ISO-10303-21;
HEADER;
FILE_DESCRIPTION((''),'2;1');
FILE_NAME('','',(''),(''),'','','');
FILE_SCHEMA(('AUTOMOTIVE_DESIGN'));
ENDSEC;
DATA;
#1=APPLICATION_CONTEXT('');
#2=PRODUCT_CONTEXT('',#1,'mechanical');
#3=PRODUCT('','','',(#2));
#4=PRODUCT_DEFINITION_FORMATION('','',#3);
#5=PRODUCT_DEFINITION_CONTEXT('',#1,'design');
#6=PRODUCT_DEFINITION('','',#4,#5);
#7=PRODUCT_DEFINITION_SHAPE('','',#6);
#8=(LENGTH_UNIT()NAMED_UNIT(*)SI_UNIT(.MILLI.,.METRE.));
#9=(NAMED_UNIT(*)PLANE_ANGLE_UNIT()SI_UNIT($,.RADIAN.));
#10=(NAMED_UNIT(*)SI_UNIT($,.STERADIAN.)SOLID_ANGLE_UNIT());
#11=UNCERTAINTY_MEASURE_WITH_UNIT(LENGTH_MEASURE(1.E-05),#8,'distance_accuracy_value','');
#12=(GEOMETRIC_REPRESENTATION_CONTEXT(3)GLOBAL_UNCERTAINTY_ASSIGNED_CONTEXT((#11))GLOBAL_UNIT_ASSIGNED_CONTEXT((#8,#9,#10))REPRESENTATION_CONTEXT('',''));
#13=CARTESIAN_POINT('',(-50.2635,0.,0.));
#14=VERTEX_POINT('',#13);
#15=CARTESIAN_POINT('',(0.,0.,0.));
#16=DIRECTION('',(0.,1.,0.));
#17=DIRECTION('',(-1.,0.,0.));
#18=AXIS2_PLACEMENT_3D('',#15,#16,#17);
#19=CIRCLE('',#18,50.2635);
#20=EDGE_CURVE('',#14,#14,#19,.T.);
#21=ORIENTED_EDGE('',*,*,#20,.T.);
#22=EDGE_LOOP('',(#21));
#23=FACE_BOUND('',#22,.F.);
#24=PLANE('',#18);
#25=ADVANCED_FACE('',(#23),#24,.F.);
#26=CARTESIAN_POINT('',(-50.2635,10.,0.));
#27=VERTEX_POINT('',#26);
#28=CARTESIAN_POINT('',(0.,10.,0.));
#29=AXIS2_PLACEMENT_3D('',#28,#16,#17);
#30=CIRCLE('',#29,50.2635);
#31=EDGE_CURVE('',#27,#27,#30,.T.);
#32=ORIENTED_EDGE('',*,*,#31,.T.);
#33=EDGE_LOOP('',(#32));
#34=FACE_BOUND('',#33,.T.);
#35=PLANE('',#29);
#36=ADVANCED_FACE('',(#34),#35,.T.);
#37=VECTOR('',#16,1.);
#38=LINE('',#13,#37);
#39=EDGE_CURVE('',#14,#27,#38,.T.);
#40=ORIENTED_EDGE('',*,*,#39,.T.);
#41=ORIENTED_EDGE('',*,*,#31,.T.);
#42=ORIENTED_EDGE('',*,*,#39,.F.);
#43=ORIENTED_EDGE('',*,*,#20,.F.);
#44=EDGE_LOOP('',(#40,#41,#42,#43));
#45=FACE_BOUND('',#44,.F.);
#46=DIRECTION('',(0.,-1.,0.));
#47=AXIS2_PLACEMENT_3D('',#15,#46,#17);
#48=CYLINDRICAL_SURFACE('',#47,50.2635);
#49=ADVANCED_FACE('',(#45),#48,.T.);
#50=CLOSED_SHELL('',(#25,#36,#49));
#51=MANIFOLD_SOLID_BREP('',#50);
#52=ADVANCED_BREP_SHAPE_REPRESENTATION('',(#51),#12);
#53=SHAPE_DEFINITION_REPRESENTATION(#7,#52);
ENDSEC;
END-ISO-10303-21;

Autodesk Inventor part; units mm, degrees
ref_plane "YZ Plane" through (0, 0, 0) normal (1, 0, 0) x (0, 1, 0)
ref_plane "XZ Plane" through (0, 0, 0) normal (0, 1, 0) x (-1, 0, 0)
ref_plane "XY Plane" through (0, 0, 0) normal (0, 0, 1) x (1, 0, 0)
sketch "Sketch1" plane through (0, 0, 0) normal (0, 1, 0) x (-1, 0, 0)
  circle A0 centre (0, 0) radius 50.2635
  dimension "d0" = 10
extrude "Extrusion1" add sketch "Sketch1" along normal blind 10
properties part number "ympyra"
